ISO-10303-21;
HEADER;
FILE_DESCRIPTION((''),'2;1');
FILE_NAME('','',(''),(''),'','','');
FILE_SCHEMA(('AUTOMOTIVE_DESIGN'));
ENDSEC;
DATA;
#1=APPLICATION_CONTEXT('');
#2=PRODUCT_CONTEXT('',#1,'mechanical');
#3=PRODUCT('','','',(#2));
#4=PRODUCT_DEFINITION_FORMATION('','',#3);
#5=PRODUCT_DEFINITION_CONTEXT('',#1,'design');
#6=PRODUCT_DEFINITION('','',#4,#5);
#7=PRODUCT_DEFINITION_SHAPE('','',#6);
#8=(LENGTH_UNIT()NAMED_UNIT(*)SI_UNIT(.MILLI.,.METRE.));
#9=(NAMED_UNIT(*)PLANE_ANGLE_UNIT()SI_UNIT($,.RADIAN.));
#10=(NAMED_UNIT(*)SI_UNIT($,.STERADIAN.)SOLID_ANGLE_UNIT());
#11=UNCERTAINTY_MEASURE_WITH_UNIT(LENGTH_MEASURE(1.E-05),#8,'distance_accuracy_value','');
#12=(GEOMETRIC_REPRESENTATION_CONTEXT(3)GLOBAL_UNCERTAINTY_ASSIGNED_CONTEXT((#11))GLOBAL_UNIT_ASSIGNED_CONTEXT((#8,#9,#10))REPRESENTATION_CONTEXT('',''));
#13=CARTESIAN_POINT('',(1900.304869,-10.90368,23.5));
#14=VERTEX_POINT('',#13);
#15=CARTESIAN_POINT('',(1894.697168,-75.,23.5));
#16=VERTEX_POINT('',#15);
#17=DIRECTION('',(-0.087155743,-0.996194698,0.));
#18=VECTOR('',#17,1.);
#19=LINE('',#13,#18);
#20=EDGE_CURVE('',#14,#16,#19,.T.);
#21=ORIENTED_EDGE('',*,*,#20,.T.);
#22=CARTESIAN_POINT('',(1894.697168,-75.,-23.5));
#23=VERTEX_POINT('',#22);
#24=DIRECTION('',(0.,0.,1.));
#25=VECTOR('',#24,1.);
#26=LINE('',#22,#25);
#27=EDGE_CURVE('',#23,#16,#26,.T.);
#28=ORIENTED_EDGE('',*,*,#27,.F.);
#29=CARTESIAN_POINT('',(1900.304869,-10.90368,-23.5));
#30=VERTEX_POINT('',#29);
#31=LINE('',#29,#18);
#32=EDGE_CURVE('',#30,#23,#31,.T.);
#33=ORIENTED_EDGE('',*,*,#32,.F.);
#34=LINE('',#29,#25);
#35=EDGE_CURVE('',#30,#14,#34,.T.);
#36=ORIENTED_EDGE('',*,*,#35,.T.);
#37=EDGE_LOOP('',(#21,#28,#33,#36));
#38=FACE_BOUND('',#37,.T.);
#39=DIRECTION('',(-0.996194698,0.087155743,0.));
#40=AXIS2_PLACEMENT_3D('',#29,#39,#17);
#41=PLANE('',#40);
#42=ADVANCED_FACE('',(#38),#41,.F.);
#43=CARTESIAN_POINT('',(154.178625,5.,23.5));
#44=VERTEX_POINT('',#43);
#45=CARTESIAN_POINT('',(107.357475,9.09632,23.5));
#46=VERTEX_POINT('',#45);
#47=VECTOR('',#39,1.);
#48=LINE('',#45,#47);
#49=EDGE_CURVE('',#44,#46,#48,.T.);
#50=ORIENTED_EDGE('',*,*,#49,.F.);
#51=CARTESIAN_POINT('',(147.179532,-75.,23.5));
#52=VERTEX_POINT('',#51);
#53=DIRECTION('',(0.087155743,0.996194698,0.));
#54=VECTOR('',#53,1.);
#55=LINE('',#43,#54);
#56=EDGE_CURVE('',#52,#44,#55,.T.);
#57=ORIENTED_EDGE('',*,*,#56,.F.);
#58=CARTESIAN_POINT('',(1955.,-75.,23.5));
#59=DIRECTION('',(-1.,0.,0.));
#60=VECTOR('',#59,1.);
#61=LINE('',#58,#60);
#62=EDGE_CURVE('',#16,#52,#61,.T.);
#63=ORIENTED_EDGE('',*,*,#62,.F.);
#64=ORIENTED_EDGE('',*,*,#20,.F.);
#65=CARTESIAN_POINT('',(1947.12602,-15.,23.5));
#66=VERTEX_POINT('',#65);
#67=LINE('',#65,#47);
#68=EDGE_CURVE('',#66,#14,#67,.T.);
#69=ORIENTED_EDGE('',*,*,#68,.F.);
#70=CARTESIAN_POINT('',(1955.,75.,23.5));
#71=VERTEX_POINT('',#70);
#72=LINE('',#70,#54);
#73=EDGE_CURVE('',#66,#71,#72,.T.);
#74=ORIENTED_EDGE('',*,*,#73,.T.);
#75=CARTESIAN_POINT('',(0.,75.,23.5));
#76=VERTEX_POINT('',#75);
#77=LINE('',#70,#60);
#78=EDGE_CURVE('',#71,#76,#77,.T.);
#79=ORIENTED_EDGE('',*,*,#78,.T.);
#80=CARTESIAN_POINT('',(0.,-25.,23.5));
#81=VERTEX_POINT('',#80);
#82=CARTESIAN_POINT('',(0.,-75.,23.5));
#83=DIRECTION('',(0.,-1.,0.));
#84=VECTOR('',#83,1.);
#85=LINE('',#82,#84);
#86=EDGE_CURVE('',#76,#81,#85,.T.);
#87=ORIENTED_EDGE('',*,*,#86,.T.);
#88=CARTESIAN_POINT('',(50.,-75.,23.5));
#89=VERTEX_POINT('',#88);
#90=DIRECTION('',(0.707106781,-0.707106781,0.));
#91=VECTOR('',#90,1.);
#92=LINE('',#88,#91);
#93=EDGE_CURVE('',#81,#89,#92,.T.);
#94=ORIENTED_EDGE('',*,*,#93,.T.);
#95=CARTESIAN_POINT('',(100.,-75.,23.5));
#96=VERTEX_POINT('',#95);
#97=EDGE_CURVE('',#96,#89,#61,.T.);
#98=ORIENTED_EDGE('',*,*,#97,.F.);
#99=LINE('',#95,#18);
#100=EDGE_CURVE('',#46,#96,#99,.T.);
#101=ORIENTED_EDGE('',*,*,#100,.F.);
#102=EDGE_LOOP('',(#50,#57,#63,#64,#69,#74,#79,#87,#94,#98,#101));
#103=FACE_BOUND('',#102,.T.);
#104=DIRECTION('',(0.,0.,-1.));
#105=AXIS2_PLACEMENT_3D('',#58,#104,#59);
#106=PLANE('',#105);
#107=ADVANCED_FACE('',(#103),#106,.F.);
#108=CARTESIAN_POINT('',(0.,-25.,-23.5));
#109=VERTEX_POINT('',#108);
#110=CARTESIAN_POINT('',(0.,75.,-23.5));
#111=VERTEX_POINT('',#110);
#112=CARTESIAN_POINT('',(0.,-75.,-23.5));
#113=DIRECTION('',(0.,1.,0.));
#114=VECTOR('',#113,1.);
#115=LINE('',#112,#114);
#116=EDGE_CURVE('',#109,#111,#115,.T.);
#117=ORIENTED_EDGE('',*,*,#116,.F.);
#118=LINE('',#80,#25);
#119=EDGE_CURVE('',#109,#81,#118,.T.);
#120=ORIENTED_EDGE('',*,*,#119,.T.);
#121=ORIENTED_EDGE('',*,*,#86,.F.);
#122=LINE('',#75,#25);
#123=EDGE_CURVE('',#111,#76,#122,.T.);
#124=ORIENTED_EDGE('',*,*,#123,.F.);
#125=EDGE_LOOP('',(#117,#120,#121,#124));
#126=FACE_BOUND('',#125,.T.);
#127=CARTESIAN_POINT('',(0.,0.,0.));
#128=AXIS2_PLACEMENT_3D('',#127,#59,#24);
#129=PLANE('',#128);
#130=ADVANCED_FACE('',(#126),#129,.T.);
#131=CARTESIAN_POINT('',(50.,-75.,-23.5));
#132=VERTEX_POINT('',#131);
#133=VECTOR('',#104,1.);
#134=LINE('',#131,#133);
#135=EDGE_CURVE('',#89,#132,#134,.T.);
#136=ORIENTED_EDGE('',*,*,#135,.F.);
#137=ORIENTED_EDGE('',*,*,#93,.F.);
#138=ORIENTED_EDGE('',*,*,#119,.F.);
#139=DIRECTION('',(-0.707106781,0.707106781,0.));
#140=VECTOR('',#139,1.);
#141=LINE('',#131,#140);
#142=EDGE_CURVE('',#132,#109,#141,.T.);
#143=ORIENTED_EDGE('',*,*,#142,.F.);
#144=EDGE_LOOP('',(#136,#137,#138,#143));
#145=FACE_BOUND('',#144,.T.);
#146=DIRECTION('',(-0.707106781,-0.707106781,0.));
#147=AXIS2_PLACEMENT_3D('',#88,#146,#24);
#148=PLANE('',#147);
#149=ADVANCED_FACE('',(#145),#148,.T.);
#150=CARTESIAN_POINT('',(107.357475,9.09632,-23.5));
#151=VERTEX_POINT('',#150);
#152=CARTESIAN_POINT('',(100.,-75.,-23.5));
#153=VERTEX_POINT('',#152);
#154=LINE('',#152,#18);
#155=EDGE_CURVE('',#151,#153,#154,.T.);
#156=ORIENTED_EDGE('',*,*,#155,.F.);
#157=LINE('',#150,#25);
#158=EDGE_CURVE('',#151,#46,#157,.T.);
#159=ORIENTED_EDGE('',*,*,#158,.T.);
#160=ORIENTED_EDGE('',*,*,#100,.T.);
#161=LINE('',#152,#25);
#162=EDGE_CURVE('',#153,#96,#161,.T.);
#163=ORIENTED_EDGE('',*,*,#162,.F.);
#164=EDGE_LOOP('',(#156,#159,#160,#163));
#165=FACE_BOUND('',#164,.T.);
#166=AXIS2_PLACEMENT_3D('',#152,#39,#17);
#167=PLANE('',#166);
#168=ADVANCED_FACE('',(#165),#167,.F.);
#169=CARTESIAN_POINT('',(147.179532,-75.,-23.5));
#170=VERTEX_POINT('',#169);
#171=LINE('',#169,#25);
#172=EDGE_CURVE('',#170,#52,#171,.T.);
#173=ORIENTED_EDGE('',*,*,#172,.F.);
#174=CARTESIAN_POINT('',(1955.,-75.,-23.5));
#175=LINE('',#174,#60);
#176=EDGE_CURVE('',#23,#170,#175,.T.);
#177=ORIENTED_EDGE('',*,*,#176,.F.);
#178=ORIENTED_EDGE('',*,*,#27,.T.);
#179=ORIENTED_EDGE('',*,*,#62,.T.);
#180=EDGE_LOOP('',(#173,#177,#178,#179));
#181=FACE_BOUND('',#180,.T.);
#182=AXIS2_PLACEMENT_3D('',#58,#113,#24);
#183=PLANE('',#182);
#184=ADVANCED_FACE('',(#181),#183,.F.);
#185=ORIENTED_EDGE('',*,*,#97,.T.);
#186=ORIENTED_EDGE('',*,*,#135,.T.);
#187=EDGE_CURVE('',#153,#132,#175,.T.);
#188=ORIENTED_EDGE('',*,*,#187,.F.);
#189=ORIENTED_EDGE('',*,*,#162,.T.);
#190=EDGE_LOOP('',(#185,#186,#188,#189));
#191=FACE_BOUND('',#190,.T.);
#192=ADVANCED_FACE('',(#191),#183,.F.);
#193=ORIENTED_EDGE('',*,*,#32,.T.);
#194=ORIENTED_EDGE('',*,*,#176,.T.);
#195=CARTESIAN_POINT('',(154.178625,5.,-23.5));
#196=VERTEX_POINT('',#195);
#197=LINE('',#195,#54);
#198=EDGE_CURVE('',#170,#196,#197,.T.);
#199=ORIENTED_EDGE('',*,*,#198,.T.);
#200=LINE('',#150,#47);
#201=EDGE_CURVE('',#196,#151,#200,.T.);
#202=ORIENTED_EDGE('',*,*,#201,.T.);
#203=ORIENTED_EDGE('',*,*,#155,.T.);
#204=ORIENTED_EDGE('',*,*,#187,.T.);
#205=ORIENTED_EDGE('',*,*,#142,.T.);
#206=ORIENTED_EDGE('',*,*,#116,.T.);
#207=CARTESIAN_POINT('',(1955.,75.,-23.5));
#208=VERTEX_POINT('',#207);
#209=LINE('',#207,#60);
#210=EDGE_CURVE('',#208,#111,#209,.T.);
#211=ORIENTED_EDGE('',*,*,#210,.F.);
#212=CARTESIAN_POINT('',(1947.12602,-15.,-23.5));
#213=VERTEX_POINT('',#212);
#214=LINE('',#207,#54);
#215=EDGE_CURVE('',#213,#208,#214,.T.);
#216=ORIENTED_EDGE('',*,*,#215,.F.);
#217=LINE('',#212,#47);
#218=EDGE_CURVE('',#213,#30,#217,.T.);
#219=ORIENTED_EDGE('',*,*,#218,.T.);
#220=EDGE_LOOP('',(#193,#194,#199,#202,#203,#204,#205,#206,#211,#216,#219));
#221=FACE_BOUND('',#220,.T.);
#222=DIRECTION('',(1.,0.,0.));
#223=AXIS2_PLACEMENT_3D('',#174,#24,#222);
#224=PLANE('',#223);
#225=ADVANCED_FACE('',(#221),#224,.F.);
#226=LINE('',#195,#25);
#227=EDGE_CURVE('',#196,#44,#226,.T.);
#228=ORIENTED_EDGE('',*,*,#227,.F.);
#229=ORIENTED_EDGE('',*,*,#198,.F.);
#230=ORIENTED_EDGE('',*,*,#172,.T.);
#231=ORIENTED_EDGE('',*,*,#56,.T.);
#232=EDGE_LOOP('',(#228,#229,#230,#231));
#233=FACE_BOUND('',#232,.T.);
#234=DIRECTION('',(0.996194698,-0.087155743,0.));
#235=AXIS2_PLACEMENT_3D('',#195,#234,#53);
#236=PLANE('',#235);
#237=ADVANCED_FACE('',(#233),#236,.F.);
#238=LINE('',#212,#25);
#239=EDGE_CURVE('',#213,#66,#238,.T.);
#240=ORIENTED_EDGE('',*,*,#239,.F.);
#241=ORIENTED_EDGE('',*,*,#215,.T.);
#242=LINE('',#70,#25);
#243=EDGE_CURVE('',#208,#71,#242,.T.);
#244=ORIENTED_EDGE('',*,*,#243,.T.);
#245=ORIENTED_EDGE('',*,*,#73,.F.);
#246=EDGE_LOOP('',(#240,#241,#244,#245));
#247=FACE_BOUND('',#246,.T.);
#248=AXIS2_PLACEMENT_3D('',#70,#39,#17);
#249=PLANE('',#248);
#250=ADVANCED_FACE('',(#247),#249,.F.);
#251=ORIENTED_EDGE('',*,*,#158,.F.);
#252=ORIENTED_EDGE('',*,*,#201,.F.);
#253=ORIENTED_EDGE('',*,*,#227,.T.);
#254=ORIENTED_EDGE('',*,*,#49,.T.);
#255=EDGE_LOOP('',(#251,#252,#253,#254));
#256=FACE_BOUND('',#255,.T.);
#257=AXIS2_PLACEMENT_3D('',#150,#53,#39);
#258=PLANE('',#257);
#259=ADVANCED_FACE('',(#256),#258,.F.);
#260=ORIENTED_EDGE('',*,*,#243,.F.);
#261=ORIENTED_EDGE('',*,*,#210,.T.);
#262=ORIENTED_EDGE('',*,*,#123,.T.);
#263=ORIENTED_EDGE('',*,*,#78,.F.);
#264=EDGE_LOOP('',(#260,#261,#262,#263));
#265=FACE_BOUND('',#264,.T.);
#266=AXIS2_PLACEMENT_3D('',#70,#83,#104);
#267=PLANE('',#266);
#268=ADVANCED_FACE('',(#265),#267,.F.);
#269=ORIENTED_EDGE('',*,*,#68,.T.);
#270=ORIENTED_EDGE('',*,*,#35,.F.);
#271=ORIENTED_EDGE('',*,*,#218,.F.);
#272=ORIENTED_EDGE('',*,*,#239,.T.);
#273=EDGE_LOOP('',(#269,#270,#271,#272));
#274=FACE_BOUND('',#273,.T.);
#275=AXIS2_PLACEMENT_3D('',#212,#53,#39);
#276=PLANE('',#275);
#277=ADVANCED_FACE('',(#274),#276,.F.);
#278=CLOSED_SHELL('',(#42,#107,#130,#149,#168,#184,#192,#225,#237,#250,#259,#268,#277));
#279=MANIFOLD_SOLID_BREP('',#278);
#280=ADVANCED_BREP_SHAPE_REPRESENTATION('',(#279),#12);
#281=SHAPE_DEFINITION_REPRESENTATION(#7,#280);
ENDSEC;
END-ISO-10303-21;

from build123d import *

# Parameters (mm, degrees)
SKETCH1_W           = 47
SKETCH1_H           = 150
BOSS_EXTRUDE1_DEPTH = 1955
CUT_EXTRUDE1_DEPTH  = 1958.002554929
CHAMFER1_SIZE       = 50
CUT_EXTRUDE2_DEPTH  = 1958.002554929
CUT_EXTRUDE3_DEPTH  = 1958.002554929


with BuildPart() as part:
    # Sketch1 → Boss-Extrude1 (new body)
    with BuildSketch(Plane(origin=(0, 0, 0), x_dir=(0, 0, -1), z_dir=(1, 0, 0))):
        Rectangle(SKETCH1_W, SKETCH1_H)
    extrude(amount=BOSS_EXTRUDE1_DEPTH)

    # Sketch2 → Cut-Extrude1 (cut, through all)
    with BuildSketch(Plane.XY.offset(23.5)):
        Polygon((100, -75), (107.357474636, 9.096319909), (154.178625447, 5), (147.179532365, -75), align=None)
    extrude(amount=-CUT_EXTRUDE1_DEPTH, mode=Mode.SUBTRACT)

    # Chamfer1
    chamfer1_edges = [part.edges().sort_by_distance(p)[0] for p in [
        (0, -75, 0),
    ]]
    chamfer(chamfer1_edges, length=CHAMFER1_SIZE)

    # Sketch3 → Cut-Extrude2 (cut, through all)
    with BuildSketch(Plane(origin=(0, 0, -23.5), x_dir=(-1, 0, 0), z_dir=(0, 0, -1))):
        Polygon((-1955, 75), (-1941.876700471, -75), (-1955, -75), align=None)
    extrude(amount=-CUT_EXTRUDE2_DEPTH, mode=Mode.SUBTRACT)

    # Sketch4 → Cut-Extrude3 (cut, through all)
    with BuildSketch(Plane.XY.offset(23.5)):
        Polygon((1947.126020283, -15), (1900.304869472, -10.903680091), (1894.697168107, -75), (1941.876700471, -75), align=None)
    extrude(amount=-CUT_EXTRUDE3_DEPTH, mode=Mode.SUBTRACT)


solid = part.part
